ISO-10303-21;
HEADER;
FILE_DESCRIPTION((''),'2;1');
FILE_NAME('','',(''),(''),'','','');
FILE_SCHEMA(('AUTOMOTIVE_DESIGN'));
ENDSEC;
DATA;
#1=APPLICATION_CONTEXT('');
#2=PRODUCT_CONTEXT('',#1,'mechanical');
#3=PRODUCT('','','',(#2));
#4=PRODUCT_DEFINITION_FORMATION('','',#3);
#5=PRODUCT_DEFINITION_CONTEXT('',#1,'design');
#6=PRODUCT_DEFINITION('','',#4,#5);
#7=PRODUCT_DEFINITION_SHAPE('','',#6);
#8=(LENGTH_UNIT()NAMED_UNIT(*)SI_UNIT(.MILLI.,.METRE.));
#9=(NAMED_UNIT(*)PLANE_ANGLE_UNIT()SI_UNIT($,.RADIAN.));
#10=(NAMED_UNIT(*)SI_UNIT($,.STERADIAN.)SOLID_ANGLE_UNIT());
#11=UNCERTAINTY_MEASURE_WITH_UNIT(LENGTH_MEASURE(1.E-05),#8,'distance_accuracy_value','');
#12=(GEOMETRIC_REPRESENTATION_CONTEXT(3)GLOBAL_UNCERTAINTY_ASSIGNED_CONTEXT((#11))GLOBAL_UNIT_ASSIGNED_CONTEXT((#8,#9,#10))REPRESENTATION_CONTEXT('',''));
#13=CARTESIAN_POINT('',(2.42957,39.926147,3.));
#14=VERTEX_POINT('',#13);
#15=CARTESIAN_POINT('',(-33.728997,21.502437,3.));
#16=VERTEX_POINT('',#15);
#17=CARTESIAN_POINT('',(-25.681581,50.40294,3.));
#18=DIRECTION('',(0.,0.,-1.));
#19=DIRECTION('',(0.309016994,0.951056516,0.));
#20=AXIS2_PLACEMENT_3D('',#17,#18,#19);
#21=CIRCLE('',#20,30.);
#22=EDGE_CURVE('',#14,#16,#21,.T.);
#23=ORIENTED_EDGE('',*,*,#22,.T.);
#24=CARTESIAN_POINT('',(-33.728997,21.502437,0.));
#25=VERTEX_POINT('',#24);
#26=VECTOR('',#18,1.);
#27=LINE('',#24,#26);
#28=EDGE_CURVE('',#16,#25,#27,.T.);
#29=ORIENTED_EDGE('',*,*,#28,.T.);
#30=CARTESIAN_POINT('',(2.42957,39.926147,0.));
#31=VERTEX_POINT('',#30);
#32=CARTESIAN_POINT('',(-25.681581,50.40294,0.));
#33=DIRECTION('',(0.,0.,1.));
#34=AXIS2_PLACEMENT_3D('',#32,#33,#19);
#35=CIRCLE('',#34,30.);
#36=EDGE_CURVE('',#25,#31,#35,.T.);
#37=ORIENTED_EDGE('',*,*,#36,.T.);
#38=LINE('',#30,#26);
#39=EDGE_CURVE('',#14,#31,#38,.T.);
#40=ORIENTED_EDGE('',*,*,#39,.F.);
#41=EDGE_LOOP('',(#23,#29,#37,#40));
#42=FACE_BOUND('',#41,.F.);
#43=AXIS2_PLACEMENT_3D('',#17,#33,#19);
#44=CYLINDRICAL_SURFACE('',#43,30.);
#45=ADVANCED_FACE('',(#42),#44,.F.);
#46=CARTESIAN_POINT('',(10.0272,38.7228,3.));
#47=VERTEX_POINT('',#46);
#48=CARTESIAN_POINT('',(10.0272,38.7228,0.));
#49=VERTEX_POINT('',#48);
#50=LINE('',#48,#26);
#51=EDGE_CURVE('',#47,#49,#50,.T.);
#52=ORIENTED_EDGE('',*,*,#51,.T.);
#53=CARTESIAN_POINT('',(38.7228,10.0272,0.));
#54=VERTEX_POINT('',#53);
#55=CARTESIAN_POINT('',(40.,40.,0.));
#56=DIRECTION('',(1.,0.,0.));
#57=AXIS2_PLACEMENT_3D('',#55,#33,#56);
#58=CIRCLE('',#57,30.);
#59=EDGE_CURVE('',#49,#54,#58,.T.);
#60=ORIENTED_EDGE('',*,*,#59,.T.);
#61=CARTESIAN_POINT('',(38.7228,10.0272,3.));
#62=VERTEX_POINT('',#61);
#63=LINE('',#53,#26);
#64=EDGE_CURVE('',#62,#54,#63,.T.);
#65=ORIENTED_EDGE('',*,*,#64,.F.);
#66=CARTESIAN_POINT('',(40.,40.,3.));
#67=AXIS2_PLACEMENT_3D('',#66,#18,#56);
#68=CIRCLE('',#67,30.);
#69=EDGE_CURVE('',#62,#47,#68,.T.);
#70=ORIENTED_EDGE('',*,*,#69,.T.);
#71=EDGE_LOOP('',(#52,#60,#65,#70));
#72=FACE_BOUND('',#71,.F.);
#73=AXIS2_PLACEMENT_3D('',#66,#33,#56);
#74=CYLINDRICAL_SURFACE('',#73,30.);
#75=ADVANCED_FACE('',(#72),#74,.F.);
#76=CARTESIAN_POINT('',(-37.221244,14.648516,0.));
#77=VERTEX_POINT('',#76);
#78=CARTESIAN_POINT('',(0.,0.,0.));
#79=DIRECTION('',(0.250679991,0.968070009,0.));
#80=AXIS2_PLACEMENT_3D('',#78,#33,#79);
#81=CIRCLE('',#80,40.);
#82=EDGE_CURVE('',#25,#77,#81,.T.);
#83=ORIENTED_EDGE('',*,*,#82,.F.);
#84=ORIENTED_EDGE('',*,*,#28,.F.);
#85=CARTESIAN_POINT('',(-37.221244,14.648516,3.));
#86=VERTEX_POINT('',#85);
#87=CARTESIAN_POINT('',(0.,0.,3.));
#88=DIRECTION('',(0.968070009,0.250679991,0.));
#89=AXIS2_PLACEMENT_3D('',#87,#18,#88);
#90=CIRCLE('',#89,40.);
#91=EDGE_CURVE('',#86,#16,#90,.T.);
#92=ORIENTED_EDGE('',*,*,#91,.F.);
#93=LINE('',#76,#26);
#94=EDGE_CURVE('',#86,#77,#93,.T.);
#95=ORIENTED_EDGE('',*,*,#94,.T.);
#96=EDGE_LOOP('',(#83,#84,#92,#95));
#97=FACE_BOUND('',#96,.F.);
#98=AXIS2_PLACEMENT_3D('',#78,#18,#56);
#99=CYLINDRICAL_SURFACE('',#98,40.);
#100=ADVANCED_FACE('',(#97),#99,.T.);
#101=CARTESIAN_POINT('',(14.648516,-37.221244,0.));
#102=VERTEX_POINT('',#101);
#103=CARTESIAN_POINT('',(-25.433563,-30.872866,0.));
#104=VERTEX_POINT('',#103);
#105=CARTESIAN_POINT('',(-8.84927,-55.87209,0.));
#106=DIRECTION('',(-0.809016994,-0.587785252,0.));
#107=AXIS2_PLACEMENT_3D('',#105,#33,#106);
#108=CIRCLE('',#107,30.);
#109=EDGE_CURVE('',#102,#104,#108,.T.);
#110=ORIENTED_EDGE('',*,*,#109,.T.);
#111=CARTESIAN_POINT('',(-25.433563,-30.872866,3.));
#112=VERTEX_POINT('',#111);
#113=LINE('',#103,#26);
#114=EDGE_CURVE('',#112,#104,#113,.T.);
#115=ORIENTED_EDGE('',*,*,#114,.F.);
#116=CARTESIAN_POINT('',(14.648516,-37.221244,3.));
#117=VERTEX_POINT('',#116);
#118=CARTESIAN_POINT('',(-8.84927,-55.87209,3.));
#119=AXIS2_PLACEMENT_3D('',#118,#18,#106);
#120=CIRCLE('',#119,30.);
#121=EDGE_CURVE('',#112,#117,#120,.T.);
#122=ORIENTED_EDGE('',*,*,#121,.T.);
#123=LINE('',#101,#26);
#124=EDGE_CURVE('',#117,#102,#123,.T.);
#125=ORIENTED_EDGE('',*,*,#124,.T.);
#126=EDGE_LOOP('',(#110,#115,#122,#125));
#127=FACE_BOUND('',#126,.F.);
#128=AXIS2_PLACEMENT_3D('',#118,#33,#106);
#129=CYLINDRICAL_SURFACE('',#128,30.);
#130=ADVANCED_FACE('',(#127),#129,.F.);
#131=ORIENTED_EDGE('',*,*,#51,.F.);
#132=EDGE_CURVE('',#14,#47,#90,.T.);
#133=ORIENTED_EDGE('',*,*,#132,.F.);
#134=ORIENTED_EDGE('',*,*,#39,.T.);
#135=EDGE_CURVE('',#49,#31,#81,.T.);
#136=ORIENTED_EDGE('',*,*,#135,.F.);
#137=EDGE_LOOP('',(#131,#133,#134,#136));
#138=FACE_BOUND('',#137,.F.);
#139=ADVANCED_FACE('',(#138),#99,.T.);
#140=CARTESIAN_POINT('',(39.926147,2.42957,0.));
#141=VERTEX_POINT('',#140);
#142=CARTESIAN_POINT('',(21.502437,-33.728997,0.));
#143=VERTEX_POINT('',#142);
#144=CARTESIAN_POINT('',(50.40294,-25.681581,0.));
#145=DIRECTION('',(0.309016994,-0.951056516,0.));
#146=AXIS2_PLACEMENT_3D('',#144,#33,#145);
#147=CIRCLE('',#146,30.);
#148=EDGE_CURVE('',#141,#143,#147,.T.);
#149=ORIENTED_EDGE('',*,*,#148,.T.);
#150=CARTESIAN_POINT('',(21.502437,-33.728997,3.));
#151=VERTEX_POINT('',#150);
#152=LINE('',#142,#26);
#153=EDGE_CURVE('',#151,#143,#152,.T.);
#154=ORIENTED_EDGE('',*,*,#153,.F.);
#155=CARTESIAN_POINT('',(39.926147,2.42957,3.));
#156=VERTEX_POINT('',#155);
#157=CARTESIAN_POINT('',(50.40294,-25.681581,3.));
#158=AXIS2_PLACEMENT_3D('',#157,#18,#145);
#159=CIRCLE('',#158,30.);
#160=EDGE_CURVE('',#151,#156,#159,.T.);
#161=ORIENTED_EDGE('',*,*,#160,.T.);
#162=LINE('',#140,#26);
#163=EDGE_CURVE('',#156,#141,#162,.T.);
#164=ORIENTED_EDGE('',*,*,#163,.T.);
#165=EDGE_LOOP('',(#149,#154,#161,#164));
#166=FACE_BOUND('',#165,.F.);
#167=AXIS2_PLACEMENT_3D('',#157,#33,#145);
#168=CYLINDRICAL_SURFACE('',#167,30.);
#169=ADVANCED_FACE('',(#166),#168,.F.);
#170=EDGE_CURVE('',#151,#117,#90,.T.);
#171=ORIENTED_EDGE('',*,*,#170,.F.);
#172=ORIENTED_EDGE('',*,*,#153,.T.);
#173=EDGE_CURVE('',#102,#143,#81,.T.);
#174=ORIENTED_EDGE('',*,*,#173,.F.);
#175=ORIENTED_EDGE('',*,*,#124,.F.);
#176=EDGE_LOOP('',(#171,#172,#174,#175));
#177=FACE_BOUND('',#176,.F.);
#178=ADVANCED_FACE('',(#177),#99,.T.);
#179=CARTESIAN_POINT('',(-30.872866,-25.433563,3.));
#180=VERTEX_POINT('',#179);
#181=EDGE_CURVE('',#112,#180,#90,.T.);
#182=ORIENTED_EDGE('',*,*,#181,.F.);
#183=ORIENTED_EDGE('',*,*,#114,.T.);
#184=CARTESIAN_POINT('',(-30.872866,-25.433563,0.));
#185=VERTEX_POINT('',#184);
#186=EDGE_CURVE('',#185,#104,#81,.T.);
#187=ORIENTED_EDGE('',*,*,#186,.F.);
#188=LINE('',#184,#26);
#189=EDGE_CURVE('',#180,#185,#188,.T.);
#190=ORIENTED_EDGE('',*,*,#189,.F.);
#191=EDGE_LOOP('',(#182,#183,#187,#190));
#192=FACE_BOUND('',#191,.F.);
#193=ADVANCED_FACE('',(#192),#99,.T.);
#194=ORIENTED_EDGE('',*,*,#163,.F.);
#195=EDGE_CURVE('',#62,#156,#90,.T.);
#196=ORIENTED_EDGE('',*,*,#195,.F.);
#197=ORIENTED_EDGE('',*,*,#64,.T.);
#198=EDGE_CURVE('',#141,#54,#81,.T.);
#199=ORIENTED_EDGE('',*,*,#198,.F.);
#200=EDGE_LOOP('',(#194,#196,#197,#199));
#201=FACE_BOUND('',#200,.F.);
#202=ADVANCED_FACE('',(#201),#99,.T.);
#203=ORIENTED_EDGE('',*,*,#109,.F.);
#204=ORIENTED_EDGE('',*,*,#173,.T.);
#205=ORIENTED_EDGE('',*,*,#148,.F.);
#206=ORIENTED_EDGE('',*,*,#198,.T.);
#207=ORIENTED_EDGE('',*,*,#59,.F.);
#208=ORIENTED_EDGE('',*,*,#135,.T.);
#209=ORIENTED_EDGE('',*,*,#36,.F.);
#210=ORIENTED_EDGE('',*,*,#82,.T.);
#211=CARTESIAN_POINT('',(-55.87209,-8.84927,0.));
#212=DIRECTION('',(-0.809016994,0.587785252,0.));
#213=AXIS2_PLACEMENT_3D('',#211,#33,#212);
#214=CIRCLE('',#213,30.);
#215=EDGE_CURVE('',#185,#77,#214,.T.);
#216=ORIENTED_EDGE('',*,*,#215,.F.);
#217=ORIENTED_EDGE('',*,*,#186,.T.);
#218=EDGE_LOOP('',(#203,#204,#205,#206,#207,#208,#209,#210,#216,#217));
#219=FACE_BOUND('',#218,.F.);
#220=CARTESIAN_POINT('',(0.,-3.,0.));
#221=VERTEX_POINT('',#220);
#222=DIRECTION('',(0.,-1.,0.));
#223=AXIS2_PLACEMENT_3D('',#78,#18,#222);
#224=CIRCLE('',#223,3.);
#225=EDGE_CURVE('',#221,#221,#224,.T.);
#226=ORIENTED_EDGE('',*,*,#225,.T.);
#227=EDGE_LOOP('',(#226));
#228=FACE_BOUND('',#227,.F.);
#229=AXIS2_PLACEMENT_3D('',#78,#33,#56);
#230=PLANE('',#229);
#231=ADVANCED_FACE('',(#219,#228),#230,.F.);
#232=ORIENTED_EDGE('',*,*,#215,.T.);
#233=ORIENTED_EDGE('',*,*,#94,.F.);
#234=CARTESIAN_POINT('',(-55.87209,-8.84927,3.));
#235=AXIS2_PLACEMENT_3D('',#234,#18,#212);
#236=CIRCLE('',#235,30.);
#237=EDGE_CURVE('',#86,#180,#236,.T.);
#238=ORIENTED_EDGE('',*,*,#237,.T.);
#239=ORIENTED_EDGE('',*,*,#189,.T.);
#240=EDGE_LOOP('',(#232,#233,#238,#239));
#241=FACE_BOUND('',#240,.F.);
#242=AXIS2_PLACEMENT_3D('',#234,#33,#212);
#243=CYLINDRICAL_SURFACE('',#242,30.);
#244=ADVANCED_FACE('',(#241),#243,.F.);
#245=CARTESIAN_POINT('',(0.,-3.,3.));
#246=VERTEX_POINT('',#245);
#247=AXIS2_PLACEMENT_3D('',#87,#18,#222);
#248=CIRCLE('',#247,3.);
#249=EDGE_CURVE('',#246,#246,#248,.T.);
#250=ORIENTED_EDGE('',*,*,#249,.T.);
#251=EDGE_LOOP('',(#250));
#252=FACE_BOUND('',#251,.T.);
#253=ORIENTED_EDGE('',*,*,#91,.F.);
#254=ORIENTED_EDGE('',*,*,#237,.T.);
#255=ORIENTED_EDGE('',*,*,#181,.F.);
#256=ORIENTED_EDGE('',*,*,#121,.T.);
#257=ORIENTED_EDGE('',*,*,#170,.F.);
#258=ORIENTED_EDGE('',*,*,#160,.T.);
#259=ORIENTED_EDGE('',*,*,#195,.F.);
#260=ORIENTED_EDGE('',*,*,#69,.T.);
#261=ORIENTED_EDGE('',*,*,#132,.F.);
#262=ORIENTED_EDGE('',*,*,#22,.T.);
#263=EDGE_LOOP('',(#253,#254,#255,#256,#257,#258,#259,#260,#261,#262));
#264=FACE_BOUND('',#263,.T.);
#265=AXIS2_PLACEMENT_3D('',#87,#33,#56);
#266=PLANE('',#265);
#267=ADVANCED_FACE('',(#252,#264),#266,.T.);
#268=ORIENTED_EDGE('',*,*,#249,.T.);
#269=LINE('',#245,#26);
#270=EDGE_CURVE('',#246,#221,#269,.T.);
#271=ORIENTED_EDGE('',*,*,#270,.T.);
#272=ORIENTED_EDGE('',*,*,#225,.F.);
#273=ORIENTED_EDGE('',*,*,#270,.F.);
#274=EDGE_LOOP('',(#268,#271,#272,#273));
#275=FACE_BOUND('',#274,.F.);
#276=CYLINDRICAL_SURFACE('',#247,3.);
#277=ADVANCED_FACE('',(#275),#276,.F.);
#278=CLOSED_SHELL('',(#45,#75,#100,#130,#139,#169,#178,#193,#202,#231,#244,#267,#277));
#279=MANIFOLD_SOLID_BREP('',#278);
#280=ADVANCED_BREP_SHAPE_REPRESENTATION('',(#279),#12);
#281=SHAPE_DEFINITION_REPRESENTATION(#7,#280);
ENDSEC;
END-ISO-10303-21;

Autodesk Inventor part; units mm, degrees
ref_plane "YZ Plane" through (0, 0, 0) normal (1, 0, 0) x (0, 1, 0)
ref_plane "XZ Plane" through (0, 0, 0) normal (0, 1, 0) x (-1, 0, 0)
ref_plane "XY Plane" through (0, 0, 0) normal (0, 0, 1) x (1, 0, 0)
sketch "Sketch1" plane through (0, 0, 0) normal (0, 0, 1) x (1, 0, 0)
  circle A0 centre (0, 0) radius 40
  dimension "d0" = 80
extrude "Extrusion1" add sketch "Sketch1" along normal blind 3
sketch "Sketch2" plane through (0, 0, 3) normal (0, 0, 1) x (1, 0, 0)
  circle A0 centre (0, 0) radius 40 projected
  circle A1 centre (40, 40) radius 30
  dimension "d6" = 60
  dimension "d7" = 40
  dimension "d8" = 40
extrude "Extrusion2" cut sketch "Sketch2" against normal through all contours A1 A0 | A0 A1 picked at (25.0118, 25.0118) picked at (39.5025, 38.7873)
pattern_circular "Circular Pattern1" count 5 over 360 about axis through (0, 0, -10) along (0, 0, 1) of "Extrusion2"
sketch "Sketch3" plane through (0, 0, 3) normal (0, 0, 1) x (1, 0, 0)
  point P0 (0, 0)
  point P1 (0, 0)
hole "Hole1" at (0, 0, 3) direction (0, 0, -1) diameter 6 end through all
equation "\"d8\" = d7"
properties part number "Pancake_Star" material "PC/ABS Plastic"
